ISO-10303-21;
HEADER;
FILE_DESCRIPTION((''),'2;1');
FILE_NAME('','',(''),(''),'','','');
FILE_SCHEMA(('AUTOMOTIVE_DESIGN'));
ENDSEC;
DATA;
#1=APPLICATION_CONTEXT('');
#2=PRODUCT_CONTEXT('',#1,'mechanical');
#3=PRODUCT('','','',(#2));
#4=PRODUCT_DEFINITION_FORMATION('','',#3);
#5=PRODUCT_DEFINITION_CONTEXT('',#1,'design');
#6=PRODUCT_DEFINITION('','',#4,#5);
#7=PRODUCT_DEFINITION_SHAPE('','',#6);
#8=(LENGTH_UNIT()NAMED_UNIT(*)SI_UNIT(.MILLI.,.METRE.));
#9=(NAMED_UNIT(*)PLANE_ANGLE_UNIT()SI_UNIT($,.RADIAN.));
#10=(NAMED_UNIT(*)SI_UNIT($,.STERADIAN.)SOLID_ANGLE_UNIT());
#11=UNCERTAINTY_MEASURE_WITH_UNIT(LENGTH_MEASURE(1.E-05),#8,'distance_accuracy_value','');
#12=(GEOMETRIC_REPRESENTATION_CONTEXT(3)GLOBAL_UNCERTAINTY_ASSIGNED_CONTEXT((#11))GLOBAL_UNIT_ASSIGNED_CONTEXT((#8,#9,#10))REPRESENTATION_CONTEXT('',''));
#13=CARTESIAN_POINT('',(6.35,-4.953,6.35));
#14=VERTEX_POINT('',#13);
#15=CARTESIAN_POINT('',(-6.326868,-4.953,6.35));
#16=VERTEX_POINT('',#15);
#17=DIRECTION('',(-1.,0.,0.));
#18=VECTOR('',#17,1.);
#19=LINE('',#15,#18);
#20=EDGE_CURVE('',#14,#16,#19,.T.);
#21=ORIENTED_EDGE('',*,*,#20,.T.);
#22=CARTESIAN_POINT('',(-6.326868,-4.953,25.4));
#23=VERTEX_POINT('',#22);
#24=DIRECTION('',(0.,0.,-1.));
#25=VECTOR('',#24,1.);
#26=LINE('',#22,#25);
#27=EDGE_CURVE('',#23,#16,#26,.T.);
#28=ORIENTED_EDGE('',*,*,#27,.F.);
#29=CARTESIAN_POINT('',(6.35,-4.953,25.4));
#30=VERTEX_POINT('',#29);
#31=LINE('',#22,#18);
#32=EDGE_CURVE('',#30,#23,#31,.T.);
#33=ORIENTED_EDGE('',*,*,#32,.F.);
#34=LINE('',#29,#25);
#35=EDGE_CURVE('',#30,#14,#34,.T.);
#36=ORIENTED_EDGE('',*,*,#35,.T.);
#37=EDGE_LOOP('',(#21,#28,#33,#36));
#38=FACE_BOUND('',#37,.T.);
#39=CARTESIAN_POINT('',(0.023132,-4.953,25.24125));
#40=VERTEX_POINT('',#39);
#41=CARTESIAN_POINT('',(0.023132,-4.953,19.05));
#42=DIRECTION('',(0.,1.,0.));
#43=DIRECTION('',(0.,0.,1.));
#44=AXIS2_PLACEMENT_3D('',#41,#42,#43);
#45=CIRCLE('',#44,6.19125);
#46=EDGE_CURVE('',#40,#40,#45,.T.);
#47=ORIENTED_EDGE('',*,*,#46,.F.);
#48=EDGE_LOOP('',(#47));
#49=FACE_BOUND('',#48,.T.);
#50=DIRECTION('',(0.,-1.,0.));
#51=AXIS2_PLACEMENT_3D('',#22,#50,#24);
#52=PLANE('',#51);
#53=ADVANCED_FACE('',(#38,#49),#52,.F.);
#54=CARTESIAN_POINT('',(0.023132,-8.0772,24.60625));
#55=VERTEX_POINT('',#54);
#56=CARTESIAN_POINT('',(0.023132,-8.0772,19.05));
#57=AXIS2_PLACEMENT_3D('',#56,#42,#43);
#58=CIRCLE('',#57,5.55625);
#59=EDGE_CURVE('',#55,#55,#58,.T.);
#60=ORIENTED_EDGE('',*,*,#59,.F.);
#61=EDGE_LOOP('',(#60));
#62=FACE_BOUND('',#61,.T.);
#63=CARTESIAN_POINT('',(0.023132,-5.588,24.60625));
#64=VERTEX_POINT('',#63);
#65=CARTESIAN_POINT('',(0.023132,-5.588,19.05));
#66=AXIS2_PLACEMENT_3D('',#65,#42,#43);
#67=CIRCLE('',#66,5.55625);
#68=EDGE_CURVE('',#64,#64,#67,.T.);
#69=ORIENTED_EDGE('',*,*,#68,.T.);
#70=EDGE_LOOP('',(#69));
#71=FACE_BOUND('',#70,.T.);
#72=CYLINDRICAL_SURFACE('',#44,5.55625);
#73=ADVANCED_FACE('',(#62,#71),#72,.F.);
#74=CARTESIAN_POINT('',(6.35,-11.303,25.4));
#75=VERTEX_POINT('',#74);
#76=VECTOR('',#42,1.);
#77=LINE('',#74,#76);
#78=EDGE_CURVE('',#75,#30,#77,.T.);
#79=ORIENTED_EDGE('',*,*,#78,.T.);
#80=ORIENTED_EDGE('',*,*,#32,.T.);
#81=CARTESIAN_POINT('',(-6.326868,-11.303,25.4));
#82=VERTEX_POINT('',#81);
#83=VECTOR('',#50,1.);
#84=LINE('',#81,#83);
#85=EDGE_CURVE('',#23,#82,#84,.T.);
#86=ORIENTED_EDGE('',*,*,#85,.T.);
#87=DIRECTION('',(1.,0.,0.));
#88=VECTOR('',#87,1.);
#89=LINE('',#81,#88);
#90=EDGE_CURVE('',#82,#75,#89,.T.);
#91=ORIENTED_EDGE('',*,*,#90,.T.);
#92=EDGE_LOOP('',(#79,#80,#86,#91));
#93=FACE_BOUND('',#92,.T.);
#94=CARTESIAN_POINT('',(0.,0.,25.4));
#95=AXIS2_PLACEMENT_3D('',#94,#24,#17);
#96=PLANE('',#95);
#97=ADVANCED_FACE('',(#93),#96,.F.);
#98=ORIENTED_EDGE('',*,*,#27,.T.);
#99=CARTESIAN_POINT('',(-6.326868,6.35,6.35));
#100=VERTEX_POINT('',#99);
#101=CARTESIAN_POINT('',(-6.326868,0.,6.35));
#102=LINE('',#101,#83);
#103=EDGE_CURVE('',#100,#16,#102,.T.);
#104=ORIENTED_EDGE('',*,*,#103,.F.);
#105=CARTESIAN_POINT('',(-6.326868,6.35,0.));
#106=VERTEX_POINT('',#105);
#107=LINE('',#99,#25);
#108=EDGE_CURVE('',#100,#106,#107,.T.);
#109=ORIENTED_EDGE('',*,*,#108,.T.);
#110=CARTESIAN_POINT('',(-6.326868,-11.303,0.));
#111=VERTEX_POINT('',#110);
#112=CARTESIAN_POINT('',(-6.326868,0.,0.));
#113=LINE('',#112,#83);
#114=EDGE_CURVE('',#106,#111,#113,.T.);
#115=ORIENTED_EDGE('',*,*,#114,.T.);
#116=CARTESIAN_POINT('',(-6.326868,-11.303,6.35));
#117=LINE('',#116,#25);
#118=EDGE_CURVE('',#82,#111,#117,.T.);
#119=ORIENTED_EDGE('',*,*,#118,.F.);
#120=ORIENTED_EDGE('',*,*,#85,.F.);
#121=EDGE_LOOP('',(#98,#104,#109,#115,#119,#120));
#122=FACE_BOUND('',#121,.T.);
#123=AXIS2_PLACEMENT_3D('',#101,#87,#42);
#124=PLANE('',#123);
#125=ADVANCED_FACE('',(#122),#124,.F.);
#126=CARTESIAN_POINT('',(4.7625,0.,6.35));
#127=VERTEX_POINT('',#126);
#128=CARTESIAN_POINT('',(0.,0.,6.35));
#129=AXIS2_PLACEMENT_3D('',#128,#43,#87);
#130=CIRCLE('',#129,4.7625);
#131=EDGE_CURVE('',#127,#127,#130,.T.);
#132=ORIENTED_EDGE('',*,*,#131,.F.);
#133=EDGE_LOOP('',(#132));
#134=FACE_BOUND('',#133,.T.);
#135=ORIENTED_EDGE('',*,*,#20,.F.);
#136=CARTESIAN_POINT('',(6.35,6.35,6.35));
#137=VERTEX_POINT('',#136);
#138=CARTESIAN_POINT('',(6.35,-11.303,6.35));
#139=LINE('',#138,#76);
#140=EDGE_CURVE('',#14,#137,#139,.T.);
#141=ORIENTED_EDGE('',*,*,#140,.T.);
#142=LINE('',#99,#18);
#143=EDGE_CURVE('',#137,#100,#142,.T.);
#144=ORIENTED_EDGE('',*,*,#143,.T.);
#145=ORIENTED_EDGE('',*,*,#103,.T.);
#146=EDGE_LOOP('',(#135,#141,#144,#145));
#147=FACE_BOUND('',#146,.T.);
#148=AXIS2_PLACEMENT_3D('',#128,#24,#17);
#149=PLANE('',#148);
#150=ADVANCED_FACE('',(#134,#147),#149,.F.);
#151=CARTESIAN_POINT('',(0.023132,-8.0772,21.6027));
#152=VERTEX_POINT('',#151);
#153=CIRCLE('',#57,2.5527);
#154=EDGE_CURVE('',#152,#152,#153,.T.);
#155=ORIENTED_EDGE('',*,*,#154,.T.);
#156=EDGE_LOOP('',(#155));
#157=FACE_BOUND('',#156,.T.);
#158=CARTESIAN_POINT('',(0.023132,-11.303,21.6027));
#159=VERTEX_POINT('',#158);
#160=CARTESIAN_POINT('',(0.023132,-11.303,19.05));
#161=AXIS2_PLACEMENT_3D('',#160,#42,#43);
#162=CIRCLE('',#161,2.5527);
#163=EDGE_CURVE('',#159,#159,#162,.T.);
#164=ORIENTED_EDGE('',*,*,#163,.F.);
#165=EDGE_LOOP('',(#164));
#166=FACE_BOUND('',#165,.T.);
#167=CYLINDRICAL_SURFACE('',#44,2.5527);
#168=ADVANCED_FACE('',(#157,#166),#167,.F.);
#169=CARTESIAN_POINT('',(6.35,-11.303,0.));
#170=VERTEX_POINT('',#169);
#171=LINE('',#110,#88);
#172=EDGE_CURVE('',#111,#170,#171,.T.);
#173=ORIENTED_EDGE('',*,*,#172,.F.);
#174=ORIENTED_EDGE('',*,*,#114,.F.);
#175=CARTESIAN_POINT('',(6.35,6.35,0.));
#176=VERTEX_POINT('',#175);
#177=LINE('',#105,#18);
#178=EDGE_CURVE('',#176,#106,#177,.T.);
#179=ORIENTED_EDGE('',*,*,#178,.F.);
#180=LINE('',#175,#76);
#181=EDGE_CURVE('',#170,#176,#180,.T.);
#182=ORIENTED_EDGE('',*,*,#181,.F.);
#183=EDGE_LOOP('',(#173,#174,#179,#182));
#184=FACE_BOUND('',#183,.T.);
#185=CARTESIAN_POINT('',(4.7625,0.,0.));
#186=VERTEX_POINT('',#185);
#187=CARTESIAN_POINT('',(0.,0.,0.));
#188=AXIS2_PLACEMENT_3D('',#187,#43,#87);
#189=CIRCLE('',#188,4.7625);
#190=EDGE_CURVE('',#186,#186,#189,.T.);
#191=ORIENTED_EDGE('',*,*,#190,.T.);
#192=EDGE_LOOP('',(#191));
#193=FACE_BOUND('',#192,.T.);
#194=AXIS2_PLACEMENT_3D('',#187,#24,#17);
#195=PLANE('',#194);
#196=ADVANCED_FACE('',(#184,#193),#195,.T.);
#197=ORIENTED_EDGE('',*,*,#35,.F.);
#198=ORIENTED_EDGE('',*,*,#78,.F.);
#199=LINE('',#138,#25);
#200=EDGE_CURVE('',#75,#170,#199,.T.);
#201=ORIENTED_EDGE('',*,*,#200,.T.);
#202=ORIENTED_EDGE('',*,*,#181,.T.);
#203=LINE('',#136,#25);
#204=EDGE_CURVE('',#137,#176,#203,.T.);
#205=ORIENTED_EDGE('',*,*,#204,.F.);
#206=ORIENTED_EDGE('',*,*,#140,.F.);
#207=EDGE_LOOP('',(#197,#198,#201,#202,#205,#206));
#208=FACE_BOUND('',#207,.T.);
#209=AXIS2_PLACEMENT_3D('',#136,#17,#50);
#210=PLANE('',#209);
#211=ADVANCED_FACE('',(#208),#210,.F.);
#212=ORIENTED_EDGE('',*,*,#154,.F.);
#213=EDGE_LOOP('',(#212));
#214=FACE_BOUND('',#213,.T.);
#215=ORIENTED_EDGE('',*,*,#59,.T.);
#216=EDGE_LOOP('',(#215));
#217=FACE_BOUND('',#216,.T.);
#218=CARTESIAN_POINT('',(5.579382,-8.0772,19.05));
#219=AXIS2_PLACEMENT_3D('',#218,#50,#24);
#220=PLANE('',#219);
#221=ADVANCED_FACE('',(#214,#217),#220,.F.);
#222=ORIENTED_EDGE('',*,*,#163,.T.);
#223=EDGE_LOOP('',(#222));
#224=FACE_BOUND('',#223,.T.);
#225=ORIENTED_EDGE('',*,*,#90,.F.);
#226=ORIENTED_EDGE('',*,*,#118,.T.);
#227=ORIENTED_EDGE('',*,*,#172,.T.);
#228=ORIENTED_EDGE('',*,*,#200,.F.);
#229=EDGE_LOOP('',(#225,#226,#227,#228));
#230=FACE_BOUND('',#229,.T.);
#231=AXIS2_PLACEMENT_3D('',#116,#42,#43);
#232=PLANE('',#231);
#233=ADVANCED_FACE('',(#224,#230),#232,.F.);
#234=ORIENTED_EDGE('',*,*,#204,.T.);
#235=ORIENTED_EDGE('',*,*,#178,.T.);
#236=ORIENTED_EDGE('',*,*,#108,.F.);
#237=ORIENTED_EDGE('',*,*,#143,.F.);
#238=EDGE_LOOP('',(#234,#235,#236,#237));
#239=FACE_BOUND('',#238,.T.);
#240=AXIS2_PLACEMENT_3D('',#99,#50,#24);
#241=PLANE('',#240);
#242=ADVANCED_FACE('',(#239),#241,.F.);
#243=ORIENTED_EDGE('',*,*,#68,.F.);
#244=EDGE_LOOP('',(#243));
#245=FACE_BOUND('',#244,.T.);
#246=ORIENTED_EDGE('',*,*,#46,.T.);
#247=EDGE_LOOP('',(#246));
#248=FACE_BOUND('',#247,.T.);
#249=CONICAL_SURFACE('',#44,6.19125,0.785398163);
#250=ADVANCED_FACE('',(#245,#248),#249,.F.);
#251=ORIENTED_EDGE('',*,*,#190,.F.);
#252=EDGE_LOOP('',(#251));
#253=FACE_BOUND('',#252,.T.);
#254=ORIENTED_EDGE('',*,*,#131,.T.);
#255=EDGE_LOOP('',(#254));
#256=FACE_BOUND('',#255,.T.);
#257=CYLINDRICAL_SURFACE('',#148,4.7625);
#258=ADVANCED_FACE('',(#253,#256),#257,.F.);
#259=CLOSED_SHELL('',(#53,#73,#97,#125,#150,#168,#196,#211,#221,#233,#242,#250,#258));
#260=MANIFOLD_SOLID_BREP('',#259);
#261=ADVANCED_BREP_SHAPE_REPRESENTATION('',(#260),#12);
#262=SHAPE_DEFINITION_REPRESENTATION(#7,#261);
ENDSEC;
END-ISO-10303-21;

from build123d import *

# Parameters (mm, degrees)
SKETCH1_R           = 4.7625
BOSS_EXTRUDE1_DEPTH = 6.35
SKETCH2_W           = 12.676867833
SKETCH2_H           = 6.35
BOSS_EXTRUDE2_DEPTH = 19.05


with BuildPart() as part:
    # Sketch1 → Boss-Extrude1 (new body)
    with BuildSketch(Plane.XY):
        Polygon((-6.326867833, 0), (-6.326867833, -11.303), (6.35, -11.303), (6.35, 0), (6.35, 6.35), (-6.326867833, 6.35), align=None)
        Circle(SKETCH1_R, mode=Mode.SUBTRACT)
    extrude(amount=BOSS_EXTRUDE1_DEPTH)

    # Sketch2 → Boss-Extrude2 (add)
    with BuildSketch(Plane.XY.offset(6.35)):
        with Locations((0.011566083, -8.128)):
            Rectangle(SKETCH2_W, SKETCH2_H)
    extrude(amount=BOSS_EXTRUDE2_DEPTH)

    # Sketch7 → CBORE for #10 Binding Head Machine Screw1 (revolve, cut)
    with BuildSketch(Plane(origin=(0.023132167, -4.953, 19.05), x_dir=(0, 0, 1), z_dir=(1, 0, 0))):
        Polygon((0, 0), (0, 6.35), (2.5527, 6.35), (2.5527, 3.1242), (5.55625, 3.1242), (5.55625, 0.635), (6.19125, 0), align=None)
    revolve(axis=Axis((0.023132167, 1.397, 19.05), (0, -1, 0)), mode=Mode.SUBTRACT)


solid = part.part
